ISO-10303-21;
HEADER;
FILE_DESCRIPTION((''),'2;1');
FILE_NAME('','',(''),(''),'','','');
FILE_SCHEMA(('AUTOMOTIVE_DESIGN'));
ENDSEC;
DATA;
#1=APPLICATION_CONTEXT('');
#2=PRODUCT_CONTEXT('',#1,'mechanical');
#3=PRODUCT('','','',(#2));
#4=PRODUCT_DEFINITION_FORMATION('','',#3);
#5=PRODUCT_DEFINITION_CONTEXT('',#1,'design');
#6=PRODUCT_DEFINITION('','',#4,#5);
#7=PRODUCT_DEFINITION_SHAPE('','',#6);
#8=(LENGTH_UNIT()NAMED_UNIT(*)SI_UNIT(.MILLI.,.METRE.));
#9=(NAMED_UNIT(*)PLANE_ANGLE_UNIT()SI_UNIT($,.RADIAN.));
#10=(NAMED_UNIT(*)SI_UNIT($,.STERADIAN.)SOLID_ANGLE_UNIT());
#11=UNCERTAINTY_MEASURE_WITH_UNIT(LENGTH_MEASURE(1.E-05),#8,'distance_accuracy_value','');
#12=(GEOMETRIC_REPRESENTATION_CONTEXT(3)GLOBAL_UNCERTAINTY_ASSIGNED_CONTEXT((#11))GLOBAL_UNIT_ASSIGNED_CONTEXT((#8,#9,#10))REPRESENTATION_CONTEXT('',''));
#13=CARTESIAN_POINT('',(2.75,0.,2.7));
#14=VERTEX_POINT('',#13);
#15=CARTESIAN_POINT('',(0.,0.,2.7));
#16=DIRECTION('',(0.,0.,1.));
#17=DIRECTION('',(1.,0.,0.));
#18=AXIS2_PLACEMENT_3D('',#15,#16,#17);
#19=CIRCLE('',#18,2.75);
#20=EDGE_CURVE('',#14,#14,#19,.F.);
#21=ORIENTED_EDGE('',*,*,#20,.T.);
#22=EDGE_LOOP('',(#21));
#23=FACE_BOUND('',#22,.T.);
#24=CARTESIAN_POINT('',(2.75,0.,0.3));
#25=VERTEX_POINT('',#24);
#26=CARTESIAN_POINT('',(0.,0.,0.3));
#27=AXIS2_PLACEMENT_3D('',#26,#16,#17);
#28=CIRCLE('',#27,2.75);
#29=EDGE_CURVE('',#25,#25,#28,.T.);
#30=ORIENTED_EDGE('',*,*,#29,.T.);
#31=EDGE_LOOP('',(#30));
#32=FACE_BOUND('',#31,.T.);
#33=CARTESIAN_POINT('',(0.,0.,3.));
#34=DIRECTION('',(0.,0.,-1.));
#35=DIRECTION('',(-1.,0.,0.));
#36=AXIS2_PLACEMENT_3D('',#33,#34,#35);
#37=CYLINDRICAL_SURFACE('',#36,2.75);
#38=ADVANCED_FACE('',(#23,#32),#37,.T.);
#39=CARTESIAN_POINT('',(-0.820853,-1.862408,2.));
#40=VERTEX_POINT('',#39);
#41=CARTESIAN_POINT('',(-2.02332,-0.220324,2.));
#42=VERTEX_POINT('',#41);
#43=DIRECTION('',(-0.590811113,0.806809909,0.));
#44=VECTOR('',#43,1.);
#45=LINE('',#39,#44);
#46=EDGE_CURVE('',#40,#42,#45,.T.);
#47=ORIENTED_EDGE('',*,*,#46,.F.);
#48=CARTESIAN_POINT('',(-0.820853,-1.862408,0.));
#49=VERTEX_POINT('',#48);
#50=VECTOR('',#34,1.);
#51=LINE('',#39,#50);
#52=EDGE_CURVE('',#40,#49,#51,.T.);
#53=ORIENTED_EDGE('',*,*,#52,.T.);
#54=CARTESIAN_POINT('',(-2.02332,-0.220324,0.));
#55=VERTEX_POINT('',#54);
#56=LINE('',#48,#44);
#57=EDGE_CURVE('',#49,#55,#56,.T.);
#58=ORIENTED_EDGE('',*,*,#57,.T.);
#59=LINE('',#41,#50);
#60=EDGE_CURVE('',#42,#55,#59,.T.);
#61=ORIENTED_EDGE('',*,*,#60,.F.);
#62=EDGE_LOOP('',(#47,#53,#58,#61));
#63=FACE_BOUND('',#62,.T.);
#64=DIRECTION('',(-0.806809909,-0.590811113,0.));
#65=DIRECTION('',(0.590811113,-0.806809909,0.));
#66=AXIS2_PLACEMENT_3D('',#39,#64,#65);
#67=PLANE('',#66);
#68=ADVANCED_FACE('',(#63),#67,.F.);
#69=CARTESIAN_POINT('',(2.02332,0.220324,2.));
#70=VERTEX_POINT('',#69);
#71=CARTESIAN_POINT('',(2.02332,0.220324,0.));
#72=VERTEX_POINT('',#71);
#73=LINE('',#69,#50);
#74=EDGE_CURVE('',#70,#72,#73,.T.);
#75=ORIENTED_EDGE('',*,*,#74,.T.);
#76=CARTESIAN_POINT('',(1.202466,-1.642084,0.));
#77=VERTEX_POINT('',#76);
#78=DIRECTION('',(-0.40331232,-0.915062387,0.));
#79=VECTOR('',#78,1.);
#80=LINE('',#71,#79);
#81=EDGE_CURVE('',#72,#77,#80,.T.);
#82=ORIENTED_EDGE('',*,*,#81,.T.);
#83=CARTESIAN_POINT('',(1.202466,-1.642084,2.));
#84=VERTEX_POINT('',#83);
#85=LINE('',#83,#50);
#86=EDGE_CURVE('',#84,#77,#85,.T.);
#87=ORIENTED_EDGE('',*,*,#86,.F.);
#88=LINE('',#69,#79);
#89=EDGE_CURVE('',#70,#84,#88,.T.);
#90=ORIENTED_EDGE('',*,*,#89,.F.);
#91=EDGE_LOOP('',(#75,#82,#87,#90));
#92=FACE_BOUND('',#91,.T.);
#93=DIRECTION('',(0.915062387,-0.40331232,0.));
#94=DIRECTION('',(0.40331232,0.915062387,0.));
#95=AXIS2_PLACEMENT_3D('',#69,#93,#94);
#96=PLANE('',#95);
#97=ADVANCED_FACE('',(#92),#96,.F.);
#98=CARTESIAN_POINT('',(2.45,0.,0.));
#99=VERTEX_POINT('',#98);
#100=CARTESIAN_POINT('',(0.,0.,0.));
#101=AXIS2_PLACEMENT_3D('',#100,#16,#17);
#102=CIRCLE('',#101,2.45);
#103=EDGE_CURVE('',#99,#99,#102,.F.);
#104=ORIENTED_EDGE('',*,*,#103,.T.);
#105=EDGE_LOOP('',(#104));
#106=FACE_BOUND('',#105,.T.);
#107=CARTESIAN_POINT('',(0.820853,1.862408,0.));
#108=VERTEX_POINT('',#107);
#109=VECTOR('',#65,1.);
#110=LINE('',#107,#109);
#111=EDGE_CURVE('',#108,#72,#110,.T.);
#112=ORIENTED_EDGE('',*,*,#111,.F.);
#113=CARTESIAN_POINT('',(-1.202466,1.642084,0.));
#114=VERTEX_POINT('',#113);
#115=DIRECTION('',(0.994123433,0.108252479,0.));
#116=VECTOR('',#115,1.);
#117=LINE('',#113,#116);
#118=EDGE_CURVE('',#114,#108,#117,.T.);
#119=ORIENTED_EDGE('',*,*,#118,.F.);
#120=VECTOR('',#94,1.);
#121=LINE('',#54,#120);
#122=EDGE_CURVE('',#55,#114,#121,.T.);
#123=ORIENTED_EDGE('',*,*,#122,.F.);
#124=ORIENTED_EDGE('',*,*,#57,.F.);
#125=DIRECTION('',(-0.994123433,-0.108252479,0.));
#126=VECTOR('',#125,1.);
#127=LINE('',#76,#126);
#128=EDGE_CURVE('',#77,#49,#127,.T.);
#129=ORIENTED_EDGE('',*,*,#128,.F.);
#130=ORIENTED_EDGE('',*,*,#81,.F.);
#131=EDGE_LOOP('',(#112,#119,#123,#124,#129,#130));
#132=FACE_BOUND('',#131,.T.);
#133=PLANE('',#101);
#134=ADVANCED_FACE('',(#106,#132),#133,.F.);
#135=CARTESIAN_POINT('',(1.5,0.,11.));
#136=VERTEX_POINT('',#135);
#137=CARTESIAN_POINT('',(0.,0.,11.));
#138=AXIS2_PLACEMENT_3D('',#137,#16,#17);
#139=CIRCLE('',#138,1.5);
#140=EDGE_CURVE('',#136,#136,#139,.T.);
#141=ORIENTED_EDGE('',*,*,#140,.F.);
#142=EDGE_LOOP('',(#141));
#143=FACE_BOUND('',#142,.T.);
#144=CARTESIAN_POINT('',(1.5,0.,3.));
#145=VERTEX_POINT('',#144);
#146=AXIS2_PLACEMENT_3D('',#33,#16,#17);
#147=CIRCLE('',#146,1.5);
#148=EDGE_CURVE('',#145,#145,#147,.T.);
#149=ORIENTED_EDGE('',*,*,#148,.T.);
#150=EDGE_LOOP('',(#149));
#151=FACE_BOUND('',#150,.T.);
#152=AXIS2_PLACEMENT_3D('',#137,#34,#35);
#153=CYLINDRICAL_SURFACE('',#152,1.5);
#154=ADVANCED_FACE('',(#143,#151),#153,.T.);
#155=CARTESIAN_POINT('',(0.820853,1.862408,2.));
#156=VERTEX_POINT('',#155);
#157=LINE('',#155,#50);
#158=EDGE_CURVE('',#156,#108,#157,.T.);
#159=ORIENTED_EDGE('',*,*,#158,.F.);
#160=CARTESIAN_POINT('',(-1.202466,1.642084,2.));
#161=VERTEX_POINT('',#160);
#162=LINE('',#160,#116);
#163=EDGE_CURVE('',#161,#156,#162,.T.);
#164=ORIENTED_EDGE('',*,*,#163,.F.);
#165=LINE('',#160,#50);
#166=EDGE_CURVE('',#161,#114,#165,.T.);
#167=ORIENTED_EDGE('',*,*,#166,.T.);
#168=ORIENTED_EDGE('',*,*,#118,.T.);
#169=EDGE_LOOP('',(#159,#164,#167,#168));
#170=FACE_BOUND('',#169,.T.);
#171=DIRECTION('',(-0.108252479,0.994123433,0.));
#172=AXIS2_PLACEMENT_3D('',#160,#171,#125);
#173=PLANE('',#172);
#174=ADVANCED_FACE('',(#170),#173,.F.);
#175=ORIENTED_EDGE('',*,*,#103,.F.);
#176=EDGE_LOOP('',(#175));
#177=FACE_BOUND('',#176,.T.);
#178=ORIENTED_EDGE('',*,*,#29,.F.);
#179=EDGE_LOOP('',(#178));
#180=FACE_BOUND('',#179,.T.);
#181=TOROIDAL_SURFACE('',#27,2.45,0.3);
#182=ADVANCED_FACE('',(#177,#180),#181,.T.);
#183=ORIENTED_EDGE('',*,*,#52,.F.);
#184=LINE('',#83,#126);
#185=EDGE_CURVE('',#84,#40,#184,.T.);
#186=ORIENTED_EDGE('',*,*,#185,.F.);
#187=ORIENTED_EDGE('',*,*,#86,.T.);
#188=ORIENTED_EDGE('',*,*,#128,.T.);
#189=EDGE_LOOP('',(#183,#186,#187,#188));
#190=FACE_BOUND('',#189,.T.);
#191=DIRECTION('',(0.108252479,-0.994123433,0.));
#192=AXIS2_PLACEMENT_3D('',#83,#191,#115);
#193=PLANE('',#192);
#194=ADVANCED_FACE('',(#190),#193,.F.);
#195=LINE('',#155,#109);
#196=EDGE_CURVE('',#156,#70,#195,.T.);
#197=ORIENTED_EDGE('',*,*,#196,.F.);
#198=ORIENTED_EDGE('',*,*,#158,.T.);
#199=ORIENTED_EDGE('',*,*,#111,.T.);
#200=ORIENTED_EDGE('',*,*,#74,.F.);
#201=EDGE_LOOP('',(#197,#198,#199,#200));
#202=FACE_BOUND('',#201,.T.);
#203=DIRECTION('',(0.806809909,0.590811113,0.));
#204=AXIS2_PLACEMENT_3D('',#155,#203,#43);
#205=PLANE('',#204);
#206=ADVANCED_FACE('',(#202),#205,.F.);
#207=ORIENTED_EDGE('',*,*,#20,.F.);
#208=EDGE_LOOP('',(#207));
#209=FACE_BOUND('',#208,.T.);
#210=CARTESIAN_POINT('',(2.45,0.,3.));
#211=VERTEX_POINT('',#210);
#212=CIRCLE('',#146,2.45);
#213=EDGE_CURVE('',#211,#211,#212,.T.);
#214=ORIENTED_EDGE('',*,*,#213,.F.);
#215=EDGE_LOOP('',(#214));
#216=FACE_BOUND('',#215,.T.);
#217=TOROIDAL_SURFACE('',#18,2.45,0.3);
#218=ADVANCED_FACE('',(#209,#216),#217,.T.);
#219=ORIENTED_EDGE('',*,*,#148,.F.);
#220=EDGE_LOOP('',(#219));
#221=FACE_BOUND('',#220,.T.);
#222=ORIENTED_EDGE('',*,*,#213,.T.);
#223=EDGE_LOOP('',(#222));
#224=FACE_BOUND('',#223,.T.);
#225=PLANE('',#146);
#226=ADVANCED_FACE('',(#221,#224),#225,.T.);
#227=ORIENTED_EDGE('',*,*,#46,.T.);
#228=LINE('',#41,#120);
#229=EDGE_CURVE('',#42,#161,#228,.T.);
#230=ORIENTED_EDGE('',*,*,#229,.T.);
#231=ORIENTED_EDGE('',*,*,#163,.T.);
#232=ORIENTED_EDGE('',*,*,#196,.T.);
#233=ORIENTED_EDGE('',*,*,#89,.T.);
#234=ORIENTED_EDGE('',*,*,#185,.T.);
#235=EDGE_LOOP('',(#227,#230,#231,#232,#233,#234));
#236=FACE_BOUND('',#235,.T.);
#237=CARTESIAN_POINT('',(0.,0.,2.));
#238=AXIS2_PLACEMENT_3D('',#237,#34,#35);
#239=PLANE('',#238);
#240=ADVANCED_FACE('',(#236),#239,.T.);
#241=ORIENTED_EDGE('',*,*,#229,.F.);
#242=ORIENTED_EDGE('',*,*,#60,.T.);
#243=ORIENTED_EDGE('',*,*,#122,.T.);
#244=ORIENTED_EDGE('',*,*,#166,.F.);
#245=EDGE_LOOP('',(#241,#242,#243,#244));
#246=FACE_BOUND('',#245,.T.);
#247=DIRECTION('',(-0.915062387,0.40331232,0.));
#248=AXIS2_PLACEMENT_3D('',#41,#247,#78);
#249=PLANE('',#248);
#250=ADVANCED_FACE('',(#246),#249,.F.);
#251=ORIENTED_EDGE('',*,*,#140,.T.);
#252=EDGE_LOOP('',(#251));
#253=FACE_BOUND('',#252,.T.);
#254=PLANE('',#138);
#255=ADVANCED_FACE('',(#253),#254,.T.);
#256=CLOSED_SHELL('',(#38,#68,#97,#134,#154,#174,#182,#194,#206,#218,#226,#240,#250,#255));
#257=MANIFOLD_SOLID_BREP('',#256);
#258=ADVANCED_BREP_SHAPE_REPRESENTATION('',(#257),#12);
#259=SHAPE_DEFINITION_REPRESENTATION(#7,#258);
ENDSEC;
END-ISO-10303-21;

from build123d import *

# Parameters (mm, degrees)
SKETCH_1_R          = 2.75
EXTRUDE_1_DEPTH     = 3
SKETCH_2_R          = 1.5
EXTRUDE_2_DEPTH     = 8
FILLET_1_R          = 0.3
CUT_EXTRUDE_1_DEPTH = 2


with BuildPart() as part:
    # 草图1 → 凸台-拉伸1 (new body)
    with BuildSketch(Plane.XY):
        Circle(SKETCH_1_R)
    extrude(amount=EXTRUDE_1_DEPTH)

    # 草图2 → 凸台-拉伸2 (add)
    with BuildSketch(Plane.XY.offset(3)):
        Circle(SKETCH_2_R)
    extrude(amount=EXTRUDE_2_DEPTH)

    # 圆角1
    fillet_1_edges = [part.edges().sort_by_distance(p)[0] for p in [
        (-2.75, 0, 0),
        (-2.75, 0, 3),
    ]]
    fillet(fillet_1_edges, radius=FILLET_1_R)

    # 草图3 → 切除-拉伸1 (cut)
    with BuildSketch(Plane(origin=(0, 0, 0), x_dir=(-1, 0, 0), z_dir=(0, 0, -1))):
        Polygon((-0.820853493, 1.862408161), (-2.023319526, 0.220324103), (-1.202466033, -1.642084058), (0.820853493, -1.862408161), (2.023319526, -0.220324103), (1.202466033, 1.642084058), align=None)
    extrude(amount=-CUT_EXTRUDE_1_DEPTH, mode=Mode.SUBTRACT)


solid = part.part
